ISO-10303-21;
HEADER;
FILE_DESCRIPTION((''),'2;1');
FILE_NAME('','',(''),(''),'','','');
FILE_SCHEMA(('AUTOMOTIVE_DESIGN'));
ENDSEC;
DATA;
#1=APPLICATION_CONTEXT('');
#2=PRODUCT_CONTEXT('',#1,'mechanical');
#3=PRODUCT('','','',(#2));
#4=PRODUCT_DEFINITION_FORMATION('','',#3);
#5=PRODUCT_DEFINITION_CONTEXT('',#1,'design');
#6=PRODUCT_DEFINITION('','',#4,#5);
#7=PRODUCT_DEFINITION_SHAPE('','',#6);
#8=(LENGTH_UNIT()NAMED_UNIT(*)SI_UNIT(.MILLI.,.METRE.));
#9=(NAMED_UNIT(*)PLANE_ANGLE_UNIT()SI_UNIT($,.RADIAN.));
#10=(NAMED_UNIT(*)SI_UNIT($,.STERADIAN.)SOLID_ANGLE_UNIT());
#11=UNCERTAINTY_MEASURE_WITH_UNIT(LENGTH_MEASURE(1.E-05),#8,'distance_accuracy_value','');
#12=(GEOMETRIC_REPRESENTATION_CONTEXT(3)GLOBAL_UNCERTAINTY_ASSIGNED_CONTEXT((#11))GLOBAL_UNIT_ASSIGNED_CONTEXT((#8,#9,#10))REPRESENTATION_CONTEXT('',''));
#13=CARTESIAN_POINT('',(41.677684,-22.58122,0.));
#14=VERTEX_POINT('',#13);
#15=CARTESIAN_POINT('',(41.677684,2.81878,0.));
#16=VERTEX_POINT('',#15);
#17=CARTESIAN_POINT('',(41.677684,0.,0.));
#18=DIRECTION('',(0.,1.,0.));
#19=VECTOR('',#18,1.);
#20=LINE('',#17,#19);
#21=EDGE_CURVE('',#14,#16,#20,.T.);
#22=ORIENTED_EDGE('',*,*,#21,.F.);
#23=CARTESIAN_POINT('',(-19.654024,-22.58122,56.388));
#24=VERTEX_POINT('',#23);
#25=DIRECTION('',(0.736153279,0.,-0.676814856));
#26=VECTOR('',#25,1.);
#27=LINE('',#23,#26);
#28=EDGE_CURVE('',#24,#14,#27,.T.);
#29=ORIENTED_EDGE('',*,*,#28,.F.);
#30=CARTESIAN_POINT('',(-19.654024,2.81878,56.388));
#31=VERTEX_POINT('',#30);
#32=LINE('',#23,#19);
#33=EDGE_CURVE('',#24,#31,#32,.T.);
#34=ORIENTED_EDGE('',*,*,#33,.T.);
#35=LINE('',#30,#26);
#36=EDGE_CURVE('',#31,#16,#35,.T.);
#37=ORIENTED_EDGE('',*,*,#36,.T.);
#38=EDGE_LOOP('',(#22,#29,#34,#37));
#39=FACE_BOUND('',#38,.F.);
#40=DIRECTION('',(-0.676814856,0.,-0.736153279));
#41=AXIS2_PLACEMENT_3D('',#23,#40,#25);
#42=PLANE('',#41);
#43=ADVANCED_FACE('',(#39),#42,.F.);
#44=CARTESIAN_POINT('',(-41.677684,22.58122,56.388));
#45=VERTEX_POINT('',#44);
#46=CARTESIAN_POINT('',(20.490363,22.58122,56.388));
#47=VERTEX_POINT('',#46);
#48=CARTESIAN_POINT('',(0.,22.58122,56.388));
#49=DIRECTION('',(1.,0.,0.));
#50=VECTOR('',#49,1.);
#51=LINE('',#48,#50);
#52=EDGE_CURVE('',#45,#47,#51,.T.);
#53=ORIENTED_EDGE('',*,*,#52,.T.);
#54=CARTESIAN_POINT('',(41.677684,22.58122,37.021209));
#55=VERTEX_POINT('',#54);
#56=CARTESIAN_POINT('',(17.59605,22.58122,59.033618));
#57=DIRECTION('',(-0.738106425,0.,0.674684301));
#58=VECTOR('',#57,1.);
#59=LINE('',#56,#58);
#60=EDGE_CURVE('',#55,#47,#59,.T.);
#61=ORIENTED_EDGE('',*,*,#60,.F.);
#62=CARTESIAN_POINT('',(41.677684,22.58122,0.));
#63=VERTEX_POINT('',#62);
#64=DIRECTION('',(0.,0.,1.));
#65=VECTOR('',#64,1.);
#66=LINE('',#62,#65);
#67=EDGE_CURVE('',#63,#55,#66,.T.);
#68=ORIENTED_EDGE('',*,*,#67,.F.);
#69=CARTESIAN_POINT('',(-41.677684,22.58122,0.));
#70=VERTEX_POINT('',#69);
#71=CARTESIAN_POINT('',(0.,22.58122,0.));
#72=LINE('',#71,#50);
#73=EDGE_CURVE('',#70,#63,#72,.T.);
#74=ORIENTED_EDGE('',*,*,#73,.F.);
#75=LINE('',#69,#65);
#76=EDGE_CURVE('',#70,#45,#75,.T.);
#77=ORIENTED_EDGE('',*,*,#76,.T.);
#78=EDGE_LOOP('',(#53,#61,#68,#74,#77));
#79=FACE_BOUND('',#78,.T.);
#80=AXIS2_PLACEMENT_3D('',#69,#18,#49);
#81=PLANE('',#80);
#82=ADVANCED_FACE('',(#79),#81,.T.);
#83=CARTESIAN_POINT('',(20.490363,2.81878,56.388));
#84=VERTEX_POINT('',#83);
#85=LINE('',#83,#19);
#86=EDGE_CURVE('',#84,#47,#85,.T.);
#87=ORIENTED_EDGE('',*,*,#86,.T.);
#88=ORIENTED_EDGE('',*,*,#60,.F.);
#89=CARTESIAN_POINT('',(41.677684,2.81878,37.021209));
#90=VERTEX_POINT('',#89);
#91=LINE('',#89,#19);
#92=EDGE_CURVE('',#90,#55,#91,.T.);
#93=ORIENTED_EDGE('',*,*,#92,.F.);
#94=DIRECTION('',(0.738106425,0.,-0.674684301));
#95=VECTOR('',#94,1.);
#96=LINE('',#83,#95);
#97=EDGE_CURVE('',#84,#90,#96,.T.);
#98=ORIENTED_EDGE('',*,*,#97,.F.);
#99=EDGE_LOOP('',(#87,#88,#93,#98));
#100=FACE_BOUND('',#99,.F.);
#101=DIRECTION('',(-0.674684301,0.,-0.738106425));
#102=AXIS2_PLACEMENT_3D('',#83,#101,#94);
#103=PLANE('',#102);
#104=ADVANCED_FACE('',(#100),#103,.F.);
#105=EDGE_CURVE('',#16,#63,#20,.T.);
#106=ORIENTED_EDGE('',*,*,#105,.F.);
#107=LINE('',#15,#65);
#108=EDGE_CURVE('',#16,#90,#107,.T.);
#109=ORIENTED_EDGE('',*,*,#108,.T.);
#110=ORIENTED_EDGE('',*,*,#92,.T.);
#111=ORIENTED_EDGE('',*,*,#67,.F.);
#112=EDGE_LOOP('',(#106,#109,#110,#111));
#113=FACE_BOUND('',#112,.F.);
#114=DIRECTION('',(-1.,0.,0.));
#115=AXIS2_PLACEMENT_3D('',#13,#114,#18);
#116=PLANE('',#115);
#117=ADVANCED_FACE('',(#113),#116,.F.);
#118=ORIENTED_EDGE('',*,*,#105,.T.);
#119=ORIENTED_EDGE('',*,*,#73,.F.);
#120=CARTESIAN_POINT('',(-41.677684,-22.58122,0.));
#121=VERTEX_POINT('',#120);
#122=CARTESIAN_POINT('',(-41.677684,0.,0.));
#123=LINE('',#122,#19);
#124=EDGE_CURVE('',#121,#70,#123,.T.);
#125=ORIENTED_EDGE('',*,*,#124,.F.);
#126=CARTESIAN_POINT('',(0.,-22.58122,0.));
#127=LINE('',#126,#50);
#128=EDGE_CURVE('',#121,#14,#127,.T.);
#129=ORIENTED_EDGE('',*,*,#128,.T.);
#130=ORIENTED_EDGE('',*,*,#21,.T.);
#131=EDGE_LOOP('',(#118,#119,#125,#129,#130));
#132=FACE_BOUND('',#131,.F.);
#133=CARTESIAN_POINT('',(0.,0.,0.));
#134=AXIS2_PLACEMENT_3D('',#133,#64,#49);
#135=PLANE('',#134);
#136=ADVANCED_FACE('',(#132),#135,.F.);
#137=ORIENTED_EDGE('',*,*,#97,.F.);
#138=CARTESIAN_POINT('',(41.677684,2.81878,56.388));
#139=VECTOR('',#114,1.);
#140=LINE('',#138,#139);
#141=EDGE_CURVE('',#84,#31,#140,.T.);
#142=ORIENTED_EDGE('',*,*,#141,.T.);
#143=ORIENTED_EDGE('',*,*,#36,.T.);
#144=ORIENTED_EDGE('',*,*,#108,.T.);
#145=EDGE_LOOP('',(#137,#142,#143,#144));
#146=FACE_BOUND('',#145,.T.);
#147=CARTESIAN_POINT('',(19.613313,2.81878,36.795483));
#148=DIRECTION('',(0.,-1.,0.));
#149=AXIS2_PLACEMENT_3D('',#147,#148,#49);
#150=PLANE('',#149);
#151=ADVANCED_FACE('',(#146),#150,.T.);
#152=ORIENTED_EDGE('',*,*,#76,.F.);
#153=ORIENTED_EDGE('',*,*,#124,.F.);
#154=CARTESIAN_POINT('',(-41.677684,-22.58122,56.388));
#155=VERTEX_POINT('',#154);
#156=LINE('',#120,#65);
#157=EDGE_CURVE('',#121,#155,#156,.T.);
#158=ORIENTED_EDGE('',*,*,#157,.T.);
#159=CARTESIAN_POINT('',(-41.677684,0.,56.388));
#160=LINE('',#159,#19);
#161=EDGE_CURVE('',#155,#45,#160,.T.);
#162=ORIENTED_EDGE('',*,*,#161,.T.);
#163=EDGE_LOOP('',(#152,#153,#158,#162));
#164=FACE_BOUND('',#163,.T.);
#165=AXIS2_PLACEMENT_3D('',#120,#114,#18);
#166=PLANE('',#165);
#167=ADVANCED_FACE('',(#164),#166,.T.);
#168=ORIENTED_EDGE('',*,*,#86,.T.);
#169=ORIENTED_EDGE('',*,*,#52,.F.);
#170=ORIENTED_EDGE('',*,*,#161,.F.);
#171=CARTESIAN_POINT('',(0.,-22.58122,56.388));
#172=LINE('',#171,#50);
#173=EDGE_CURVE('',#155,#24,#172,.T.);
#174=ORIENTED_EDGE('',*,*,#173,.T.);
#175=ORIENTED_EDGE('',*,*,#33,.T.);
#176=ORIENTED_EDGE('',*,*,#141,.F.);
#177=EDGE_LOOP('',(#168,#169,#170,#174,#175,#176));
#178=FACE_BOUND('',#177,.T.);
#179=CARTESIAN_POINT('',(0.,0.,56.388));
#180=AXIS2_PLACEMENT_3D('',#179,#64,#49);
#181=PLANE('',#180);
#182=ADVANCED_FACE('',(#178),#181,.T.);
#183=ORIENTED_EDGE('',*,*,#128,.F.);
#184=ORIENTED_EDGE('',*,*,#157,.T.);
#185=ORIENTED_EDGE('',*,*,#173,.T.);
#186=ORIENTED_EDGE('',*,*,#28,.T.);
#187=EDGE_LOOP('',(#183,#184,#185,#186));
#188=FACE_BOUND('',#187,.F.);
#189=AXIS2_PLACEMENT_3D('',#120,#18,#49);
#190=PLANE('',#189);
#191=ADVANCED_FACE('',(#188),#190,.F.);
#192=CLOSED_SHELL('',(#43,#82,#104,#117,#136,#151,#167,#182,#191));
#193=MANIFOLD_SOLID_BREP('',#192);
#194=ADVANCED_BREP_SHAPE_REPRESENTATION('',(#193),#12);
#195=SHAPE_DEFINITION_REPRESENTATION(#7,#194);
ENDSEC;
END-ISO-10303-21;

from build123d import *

# Parameters (mm, degrees)
F0_W     = 83.355368
F0_H     = 45.16244
F1_DEPTH = 56.388
F3_DEPTH = 25.4
F5_DEPTH = 25.4


with BuildPart() as f1:
    # F0 (on Top) → F1 (new body)
    with BuildSketch(Plane.XY):
        Rectangle(F0_W, F0_H)
    extrude(amount=F1_DEPTH)

    # F2 (on face) → F3 (cut)
    with BuildSketch(Plane.XZ.offset(22.58122)):
        Polygon((41.677684, 56.388), (-19.654024, 56.388), (41.677684, 0), align=None)
    extrude(amount=-F3_DEPTH, mode=Mode.SUBTRACT)

    # F4 (on face) → F5 (cut)
    with BuildSketch(Plane.XZ.offset(-2.81878)):
        Polygon((41.677684, 56.388), (20.490363, 56.388), (41.677684, 37.021209), align=None)
    extrude(amount=-F5_DEPTH, mode=Mode.SUBTRACT)


solid = f1.part
